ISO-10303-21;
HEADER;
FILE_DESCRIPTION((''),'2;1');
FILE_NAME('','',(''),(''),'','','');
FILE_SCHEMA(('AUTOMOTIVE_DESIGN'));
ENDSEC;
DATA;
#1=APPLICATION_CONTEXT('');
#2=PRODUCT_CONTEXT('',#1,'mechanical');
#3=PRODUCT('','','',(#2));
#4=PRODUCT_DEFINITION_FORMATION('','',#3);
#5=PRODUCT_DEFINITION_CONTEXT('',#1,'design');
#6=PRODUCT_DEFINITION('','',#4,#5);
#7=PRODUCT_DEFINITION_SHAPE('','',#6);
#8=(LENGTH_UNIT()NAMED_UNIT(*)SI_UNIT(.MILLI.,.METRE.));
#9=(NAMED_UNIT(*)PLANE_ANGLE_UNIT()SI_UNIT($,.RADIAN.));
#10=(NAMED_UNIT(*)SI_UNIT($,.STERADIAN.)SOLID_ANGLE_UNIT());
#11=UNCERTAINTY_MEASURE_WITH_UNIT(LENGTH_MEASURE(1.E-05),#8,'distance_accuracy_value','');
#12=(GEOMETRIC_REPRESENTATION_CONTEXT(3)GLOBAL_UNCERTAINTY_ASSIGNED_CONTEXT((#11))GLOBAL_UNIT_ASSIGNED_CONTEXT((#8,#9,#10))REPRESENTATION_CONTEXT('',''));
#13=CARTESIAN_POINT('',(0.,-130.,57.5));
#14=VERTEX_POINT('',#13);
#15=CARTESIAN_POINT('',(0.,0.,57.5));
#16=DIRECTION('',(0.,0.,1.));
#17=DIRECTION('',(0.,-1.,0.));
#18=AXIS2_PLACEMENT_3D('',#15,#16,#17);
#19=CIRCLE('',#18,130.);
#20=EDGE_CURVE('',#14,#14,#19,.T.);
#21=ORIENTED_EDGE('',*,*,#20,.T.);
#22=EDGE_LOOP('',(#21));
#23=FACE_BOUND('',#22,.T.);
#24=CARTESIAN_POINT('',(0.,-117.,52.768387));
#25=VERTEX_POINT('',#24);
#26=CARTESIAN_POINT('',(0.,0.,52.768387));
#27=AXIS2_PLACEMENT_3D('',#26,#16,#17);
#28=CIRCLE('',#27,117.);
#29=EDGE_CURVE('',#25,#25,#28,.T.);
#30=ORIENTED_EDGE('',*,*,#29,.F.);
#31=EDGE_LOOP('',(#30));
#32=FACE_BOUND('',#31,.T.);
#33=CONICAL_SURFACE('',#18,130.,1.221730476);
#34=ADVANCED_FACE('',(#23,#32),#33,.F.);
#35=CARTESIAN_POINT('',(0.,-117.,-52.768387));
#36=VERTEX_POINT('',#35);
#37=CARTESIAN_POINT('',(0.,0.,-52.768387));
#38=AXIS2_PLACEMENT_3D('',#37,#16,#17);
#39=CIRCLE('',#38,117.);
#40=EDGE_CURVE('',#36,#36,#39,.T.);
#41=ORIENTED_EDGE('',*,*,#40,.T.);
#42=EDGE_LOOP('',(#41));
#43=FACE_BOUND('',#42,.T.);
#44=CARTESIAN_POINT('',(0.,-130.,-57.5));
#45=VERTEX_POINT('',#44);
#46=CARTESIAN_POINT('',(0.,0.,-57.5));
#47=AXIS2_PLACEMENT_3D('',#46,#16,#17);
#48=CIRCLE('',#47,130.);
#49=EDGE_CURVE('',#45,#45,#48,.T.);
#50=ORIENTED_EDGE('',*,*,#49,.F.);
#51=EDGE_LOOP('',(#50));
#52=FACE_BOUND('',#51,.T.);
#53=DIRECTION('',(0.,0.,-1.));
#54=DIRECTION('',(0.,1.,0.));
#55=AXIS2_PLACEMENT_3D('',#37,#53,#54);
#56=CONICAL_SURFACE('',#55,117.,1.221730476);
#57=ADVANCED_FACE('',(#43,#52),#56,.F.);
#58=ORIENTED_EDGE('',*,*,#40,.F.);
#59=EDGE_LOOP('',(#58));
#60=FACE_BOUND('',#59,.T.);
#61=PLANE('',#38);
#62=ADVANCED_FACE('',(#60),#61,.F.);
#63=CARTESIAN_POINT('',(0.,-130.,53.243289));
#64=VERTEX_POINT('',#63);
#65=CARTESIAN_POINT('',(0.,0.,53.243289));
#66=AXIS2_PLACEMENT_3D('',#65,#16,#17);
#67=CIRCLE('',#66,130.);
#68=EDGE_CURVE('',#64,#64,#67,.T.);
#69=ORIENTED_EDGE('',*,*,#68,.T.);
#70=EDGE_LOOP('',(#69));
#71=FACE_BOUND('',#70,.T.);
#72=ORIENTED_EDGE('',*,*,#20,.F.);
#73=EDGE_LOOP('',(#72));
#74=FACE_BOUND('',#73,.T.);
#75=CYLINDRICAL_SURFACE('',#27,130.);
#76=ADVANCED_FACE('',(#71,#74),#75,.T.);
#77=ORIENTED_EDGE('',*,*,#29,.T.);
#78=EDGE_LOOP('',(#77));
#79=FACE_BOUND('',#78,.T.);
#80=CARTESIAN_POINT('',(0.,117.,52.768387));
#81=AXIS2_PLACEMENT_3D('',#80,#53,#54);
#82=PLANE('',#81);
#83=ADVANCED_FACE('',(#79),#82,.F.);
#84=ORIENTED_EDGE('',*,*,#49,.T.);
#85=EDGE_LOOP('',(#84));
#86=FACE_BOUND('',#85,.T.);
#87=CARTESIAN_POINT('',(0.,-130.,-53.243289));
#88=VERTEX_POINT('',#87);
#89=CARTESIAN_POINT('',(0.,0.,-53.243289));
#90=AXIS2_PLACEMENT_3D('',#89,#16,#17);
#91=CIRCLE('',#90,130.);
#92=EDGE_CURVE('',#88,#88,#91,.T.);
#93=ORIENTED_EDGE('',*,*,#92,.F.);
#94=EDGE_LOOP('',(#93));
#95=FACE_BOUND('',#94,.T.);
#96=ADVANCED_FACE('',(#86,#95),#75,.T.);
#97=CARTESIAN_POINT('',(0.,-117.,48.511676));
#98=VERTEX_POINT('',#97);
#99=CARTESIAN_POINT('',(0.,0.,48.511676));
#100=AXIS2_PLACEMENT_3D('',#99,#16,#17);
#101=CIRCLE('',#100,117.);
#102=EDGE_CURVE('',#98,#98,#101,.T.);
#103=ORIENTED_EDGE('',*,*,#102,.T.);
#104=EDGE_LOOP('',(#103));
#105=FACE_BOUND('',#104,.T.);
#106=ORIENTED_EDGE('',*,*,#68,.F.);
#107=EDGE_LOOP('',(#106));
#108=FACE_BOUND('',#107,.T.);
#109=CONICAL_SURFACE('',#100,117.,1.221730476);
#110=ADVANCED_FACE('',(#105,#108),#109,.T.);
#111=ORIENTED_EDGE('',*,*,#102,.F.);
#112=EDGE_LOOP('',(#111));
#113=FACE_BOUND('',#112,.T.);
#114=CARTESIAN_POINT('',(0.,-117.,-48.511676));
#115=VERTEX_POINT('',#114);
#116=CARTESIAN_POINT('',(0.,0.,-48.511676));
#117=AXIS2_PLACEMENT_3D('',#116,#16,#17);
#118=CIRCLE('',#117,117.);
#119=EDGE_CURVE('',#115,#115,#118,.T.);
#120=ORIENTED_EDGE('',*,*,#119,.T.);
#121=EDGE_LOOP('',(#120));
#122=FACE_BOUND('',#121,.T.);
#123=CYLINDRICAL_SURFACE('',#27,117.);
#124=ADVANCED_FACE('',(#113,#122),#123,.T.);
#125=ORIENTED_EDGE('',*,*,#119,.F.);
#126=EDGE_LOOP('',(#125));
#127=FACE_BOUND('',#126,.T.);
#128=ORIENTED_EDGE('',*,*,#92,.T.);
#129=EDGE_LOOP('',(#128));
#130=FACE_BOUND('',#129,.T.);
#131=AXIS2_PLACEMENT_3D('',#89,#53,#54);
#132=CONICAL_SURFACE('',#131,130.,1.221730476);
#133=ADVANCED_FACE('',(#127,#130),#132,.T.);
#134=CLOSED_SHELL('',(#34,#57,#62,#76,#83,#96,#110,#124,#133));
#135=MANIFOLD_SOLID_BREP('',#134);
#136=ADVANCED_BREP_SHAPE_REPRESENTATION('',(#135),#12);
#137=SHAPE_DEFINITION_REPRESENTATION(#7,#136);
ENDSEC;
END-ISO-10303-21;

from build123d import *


with BuildPart() as part:
    # Sketch1 → Revolve1 (revolve)
    with BuildSketch(Plane(origin=(0, 0, 0), x_dir=(0, 0, -1), z_dir=(1, 0, 0))):
        Polygon((-52.768386955, 117), (-57.5, 130), (-53.24328891, 130), (-48.511675865, 117), (48.511675865, 117), (53.24328891, 130), (57.5, 130), (52.768386955, 117), (52.768386955, 0), (-52.768386955, 0), align=None)
    revolve(axis=Axis((0, 0, 52.768386955), (0, 0, -1)))


solid = part.part
